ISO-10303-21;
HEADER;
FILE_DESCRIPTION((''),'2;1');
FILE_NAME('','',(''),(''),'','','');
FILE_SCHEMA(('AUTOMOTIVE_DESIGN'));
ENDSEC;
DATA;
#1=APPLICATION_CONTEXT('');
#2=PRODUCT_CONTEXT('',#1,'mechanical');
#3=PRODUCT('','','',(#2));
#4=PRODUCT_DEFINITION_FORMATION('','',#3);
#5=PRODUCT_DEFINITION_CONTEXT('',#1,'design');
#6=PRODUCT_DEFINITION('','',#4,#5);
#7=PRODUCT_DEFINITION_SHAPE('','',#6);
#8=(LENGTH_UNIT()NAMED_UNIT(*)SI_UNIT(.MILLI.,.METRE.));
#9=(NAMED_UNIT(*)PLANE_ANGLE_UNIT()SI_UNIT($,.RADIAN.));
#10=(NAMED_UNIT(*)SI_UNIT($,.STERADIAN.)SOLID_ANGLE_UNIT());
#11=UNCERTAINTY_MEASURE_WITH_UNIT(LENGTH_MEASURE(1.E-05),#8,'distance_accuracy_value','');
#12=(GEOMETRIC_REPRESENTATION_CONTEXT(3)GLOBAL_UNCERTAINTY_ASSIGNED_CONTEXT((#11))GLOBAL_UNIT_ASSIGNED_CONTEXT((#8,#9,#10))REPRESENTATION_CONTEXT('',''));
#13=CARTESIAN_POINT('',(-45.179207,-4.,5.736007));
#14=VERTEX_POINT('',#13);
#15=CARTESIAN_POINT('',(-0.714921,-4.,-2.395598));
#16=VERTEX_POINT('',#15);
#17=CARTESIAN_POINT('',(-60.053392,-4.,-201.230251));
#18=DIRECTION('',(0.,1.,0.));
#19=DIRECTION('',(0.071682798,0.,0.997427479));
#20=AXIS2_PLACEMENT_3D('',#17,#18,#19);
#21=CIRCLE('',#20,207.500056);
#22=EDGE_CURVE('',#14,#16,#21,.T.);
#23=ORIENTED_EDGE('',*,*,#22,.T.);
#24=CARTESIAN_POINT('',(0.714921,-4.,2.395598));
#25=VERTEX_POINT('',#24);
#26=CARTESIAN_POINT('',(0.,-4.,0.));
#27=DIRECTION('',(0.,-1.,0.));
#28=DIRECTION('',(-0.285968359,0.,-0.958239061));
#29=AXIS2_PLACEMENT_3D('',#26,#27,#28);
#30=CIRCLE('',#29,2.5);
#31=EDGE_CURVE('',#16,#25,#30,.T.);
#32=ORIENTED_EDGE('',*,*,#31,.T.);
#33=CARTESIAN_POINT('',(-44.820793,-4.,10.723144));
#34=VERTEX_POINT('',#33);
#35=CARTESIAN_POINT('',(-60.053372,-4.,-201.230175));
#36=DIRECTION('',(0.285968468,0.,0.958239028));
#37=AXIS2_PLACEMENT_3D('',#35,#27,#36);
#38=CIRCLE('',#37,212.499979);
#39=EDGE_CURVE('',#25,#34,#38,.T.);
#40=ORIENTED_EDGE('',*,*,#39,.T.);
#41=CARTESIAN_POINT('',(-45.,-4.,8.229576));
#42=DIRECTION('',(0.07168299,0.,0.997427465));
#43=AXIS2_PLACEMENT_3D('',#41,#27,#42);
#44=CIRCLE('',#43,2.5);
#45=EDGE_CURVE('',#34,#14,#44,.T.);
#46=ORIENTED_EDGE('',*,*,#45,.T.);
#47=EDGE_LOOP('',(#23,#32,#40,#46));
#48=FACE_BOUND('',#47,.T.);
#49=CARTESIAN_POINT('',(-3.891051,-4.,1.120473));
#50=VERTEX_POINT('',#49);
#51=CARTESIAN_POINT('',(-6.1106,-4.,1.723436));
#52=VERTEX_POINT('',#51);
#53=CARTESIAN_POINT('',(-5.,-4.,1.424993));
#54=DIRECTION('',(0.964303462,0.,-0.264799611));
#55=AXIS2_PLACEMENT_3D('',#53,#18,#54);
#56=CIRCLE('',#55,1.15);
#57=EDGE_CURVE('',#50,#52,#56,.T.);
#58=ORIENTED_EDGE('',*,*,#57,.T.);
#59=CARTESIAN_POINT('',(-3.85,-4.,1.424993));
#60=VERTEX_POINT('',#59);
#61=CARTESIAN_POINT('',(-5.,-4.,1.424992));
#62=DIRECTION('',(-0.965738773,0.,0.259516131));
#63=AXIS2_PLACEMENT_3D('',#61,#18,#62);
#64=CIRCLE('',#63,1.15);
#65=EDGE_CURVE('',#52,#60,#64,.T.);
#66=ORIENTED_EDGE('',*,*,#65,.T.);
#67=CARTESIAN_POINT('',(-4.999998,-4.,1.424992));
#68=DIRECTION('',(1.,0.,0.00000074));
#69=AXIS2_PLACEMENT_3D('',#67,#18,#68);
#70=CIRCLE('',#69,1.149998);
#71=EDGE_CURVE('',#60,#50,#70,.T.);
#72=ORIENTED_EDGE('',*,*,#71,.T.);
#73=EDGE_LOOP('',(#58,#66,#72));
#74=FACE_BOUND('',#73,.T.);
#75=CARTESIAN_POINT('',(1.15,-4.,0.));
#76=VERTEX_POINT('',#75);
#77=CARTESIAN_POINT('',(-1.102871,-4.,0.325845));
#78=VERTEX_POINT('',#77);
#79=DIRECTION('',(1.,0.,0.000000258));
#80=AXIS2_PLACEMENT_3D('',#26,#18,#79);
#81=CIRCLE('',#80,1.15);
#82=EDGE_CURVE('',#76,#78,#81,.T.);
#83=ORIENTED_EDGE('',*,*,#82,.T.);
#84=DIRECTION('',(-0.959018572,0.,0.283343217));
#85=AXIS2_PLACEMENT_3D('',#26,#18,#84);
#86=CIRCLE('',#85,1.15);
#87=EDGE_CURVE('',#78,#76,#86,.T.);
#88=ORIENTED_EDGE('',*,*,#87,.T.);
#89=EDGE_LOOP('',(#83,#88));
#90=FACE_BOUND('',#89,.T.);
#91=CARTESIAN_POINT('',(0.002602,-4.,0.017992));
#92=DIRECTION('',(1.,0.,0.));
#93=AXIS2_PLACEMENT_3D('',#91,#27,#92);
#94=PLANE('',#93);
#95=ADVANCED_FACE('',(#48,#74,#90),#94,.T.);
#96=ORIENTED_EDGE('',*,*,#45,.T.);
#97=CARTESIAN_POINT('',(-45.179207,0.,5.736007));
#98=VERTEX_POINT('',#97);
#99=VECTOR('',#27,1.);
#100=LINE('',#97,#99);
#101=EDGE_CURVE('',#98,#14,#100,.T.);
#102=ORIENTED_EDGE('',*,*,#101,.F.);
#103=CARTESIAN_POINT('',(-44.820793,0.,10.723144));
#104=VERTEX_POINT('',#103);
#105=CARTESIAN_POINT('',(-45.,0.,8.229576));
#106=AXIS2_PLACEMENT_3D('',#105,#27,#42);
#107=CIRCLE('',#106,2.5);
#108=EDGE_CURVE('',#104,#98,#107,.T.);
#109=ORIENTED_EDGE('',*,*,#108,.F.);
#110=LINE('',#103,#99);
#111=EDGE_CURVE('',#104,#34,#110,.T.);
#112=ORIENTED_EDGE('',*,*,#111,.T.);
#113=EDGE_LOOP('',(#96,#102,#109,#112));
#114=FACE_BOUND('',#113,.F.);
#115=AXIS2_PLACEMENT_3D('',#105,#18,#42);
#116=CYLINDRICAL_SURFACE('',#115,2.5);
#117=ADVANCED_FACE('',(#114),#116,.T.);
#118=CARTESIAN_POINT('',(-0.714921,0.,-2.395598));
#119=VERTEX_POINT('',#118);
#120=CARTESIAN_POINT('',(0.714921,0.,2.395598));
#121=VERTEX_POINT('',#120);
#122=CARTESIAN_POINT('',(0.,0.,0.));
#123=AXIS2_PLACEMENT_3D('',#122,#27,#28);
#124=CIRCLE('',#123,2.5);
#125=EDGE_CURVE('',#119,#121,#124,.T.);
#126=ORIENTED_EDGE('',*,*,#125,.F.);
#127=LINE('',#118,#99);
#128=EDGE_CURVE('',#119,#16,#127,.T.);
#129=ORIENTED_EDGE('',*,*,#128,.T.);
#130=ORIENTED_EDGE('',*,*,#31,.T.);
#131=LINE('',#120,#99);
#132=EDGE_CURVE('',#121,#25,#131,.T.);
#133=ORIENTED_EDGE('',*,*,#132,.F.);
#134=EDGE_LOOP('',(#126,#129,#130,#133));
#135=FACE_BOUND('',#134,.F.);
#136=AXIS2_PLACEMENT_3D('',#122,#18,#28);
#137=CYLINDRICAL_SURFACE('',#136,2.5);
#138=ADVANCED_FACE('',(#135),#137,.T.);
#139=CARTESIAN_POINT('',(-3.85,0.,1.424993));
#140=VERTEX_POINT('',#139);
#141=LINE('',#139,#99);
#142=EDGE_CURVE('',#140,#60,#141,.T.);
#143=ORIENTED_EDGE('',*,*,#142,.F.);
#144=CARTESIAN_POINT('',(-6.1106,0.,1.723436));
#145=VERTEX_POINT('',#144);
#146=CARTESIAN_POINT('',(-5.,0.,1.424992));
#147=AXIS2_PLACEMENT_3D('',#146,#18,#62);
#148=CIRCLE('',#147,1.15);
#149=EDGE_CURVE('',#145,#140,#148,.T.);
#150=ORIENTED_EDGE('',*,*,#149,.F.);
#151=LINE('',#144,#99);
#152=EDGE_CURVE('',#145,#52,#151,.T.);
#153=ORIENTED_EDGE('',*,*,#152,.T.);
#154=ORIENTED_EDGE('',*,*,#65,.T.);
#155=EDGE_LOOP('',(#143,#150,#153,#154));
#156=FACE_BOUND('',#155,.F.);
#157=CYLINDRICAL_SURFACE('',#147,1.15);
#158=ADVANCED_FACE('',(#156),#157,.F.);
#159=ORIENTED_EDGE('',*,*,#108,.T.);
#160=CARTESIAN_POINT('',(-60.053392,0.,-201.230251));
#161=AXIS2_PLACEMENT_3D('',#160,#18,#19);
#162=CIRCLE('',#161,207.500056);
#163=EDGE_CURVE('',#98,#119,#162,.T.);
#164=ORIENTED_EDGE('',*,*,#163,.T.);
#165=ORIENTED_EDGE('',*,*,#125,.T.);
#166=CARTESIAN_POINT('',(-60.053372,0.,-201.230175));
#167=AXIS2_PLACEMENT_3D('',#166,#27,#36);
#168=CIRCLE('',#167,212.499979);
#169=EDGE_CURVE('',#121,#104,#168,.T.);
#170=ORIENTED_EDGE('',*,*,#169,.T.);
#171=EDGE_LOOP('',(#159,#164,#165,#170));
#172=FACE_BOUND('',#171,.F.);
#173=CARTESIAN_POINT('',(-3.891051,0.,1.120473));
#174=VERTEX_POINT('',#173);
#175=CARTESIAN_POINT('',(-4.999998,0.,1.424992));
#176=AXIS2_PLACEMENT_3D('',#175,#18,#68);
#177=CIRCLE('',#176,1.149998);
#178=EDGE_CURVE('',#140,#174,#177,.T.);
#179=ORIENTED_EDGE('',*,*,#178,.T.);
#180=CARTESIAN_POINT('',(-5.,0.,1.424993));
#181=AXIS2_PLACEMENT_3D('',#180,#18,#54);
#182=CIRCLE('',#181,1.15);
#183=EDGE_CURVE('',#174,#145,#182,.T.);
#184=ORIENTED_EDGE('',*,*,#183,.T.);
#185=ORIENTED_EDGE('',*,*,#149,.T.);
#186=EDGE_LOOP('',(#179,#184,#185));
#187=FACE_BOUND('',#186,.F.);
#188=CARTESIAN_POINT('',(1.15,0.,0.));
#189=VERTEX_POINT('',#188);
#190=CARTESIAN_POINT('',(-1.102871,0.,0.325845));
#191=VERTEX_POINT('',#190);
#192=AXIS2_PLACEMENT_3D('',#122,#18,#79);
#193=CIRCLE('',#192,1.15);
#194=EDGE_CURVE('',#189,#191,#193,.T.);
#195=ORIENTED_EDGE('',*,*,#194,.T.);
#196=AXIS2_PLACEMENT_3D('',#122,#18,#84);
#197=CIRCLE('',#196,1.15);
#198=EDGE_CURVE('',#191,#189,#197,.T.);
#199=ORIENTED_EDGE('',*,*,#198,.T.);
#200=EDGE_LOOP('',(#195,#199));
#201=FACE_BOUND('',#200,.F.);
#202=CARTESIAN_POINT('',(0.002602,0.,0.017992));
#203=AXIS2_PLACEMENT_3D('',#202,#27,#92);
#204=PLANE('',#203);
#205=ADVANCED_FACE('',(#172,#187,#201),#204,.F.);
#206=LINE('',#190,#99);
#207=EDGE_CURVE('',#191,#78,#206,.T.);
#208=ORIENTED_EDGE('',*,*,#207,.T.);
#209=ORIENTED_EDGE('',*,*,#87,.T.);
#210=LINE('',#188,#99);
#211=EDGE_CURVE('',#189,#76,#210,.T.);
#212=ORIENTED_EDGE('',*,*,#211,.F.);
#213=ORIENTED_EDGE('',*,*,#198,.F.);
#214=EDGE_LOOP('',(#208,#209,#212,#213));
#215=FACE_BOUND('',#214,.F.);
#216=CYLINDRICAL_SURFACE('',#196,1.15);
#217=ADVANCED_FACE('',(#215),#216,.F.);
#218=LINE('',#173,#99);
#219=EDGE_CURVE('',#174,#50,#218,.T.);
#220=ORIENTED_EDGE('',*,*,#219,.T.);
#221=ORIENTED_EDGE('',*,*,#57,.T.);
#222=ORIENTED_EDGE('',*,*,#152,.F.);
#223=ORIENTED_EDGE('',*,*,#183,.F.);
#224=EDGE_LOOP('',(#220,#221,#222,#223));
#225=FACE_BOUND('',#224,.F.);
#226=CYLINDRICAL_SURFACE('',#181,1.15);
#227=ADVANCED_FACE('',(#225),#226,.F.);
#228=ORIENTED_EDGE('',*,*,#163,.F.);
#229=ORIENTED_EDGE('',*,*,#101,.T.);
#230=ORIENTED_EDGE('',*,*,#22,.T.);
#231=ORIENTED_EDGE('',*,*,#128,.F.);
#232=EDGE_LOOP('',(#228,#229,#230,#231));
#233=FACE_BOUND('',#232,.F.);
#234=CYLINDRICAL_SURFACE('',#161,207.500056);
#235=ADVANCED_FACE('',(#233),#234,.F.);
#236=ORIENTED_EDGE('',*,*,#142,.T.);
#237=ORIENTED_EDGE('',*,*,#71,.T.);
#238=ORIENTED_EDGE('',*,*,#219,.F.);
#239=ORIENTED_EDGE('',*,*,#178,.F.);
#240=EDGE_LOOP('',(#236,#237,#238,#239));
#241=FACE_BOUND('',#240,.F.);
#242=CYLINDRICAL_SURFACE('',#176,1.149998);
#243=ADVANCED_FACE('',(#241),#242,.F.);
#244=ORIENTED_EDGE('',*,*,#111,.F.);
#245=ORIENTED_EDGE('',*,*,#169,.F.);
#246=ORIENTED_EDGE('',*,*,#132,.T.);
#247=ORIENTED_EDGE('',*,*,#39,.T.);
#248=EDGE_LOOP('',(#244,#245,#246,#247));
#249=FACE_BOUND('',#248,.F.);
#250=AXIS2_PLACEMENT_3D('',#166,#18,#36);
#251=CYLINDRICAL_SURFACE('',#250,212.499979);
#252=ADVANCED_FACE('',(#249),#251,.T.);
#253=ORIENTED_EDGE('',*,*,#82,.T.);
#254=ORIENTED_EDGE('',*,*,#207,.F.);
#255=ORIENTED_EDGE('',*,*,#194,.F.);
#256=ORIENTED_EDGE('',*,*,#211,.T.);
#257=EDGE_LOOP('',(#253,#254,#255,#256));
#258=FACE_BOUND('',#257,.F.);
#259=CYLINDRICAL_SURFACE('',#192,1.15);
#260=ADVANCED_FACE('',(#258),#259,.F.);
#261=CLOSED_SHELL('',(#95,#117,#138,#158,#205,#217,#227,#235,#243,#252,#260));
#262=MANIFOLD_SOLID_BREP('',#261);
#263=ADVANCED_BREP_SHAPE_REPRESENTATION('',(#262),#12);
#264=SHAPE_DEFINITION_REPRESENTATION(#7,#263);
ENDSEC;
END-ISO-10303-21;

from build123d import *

# Parameters (mm, degrees)
F1_DEPTH = 4


with BuildPart() as f1:
    # F0 (on Front) → F1 (new body)
    with BuildSketch(Plane.XZ):
        with BuildLine():
            ThreePointArc((-1.102871, 0.325845), (-0.164618, -1.138157), (1.15, 0))
            ThreePointArc((1.15, 0), (0.164618, 1.138157), (-1.102871, 0.325845))
        make_face()
        with BuildLine():
            ThreePointArc((-0.714921, -2.395598), (2.395598, -0.714921), (0.714921, 2.395598))
            ThreePointArc((0.714921, 2.395598), (-21.825501, 7.803006), (-44.820793, 10.723144))
            ThreePointArc((-44.820793, 10.723144), (-47.493569, 8.408782), (-45.179207, 5.736007))
            ThreePointArc((-45.179207, 5.736007), (-22.72498, 2.884577), (-0.714921, -2.395598))
        make_face()
        with BuildLine():
            ThreePointArc((-1.102871, 0.325845), (0.164618, 1.138157), (1.15, 0))
            ThreePointArc((1.15, 0), (-0.164618, -1.138157), (-1.102871, 0.325845))
        make_face(mode=Mode.SUBTRACT)
        with BuildLine():
            ThreePointArc((-3.85, 1.424993), (-3.860309, 1.271355), (-3.891051, 1.120473))
            ThreePointArc((-3.891051, 1.120473), (-5.301483, 0.315214), (-6.1106, 1.723436))
            ThreePointArc((-6.1106, 1.723436), (-4.849484, 2.5651), (-3.85, 1.424993))
        make_face(mode=Mode.SUBTRACT)
    extrude(amount=F1_DEPTH)


solid = f1.part
